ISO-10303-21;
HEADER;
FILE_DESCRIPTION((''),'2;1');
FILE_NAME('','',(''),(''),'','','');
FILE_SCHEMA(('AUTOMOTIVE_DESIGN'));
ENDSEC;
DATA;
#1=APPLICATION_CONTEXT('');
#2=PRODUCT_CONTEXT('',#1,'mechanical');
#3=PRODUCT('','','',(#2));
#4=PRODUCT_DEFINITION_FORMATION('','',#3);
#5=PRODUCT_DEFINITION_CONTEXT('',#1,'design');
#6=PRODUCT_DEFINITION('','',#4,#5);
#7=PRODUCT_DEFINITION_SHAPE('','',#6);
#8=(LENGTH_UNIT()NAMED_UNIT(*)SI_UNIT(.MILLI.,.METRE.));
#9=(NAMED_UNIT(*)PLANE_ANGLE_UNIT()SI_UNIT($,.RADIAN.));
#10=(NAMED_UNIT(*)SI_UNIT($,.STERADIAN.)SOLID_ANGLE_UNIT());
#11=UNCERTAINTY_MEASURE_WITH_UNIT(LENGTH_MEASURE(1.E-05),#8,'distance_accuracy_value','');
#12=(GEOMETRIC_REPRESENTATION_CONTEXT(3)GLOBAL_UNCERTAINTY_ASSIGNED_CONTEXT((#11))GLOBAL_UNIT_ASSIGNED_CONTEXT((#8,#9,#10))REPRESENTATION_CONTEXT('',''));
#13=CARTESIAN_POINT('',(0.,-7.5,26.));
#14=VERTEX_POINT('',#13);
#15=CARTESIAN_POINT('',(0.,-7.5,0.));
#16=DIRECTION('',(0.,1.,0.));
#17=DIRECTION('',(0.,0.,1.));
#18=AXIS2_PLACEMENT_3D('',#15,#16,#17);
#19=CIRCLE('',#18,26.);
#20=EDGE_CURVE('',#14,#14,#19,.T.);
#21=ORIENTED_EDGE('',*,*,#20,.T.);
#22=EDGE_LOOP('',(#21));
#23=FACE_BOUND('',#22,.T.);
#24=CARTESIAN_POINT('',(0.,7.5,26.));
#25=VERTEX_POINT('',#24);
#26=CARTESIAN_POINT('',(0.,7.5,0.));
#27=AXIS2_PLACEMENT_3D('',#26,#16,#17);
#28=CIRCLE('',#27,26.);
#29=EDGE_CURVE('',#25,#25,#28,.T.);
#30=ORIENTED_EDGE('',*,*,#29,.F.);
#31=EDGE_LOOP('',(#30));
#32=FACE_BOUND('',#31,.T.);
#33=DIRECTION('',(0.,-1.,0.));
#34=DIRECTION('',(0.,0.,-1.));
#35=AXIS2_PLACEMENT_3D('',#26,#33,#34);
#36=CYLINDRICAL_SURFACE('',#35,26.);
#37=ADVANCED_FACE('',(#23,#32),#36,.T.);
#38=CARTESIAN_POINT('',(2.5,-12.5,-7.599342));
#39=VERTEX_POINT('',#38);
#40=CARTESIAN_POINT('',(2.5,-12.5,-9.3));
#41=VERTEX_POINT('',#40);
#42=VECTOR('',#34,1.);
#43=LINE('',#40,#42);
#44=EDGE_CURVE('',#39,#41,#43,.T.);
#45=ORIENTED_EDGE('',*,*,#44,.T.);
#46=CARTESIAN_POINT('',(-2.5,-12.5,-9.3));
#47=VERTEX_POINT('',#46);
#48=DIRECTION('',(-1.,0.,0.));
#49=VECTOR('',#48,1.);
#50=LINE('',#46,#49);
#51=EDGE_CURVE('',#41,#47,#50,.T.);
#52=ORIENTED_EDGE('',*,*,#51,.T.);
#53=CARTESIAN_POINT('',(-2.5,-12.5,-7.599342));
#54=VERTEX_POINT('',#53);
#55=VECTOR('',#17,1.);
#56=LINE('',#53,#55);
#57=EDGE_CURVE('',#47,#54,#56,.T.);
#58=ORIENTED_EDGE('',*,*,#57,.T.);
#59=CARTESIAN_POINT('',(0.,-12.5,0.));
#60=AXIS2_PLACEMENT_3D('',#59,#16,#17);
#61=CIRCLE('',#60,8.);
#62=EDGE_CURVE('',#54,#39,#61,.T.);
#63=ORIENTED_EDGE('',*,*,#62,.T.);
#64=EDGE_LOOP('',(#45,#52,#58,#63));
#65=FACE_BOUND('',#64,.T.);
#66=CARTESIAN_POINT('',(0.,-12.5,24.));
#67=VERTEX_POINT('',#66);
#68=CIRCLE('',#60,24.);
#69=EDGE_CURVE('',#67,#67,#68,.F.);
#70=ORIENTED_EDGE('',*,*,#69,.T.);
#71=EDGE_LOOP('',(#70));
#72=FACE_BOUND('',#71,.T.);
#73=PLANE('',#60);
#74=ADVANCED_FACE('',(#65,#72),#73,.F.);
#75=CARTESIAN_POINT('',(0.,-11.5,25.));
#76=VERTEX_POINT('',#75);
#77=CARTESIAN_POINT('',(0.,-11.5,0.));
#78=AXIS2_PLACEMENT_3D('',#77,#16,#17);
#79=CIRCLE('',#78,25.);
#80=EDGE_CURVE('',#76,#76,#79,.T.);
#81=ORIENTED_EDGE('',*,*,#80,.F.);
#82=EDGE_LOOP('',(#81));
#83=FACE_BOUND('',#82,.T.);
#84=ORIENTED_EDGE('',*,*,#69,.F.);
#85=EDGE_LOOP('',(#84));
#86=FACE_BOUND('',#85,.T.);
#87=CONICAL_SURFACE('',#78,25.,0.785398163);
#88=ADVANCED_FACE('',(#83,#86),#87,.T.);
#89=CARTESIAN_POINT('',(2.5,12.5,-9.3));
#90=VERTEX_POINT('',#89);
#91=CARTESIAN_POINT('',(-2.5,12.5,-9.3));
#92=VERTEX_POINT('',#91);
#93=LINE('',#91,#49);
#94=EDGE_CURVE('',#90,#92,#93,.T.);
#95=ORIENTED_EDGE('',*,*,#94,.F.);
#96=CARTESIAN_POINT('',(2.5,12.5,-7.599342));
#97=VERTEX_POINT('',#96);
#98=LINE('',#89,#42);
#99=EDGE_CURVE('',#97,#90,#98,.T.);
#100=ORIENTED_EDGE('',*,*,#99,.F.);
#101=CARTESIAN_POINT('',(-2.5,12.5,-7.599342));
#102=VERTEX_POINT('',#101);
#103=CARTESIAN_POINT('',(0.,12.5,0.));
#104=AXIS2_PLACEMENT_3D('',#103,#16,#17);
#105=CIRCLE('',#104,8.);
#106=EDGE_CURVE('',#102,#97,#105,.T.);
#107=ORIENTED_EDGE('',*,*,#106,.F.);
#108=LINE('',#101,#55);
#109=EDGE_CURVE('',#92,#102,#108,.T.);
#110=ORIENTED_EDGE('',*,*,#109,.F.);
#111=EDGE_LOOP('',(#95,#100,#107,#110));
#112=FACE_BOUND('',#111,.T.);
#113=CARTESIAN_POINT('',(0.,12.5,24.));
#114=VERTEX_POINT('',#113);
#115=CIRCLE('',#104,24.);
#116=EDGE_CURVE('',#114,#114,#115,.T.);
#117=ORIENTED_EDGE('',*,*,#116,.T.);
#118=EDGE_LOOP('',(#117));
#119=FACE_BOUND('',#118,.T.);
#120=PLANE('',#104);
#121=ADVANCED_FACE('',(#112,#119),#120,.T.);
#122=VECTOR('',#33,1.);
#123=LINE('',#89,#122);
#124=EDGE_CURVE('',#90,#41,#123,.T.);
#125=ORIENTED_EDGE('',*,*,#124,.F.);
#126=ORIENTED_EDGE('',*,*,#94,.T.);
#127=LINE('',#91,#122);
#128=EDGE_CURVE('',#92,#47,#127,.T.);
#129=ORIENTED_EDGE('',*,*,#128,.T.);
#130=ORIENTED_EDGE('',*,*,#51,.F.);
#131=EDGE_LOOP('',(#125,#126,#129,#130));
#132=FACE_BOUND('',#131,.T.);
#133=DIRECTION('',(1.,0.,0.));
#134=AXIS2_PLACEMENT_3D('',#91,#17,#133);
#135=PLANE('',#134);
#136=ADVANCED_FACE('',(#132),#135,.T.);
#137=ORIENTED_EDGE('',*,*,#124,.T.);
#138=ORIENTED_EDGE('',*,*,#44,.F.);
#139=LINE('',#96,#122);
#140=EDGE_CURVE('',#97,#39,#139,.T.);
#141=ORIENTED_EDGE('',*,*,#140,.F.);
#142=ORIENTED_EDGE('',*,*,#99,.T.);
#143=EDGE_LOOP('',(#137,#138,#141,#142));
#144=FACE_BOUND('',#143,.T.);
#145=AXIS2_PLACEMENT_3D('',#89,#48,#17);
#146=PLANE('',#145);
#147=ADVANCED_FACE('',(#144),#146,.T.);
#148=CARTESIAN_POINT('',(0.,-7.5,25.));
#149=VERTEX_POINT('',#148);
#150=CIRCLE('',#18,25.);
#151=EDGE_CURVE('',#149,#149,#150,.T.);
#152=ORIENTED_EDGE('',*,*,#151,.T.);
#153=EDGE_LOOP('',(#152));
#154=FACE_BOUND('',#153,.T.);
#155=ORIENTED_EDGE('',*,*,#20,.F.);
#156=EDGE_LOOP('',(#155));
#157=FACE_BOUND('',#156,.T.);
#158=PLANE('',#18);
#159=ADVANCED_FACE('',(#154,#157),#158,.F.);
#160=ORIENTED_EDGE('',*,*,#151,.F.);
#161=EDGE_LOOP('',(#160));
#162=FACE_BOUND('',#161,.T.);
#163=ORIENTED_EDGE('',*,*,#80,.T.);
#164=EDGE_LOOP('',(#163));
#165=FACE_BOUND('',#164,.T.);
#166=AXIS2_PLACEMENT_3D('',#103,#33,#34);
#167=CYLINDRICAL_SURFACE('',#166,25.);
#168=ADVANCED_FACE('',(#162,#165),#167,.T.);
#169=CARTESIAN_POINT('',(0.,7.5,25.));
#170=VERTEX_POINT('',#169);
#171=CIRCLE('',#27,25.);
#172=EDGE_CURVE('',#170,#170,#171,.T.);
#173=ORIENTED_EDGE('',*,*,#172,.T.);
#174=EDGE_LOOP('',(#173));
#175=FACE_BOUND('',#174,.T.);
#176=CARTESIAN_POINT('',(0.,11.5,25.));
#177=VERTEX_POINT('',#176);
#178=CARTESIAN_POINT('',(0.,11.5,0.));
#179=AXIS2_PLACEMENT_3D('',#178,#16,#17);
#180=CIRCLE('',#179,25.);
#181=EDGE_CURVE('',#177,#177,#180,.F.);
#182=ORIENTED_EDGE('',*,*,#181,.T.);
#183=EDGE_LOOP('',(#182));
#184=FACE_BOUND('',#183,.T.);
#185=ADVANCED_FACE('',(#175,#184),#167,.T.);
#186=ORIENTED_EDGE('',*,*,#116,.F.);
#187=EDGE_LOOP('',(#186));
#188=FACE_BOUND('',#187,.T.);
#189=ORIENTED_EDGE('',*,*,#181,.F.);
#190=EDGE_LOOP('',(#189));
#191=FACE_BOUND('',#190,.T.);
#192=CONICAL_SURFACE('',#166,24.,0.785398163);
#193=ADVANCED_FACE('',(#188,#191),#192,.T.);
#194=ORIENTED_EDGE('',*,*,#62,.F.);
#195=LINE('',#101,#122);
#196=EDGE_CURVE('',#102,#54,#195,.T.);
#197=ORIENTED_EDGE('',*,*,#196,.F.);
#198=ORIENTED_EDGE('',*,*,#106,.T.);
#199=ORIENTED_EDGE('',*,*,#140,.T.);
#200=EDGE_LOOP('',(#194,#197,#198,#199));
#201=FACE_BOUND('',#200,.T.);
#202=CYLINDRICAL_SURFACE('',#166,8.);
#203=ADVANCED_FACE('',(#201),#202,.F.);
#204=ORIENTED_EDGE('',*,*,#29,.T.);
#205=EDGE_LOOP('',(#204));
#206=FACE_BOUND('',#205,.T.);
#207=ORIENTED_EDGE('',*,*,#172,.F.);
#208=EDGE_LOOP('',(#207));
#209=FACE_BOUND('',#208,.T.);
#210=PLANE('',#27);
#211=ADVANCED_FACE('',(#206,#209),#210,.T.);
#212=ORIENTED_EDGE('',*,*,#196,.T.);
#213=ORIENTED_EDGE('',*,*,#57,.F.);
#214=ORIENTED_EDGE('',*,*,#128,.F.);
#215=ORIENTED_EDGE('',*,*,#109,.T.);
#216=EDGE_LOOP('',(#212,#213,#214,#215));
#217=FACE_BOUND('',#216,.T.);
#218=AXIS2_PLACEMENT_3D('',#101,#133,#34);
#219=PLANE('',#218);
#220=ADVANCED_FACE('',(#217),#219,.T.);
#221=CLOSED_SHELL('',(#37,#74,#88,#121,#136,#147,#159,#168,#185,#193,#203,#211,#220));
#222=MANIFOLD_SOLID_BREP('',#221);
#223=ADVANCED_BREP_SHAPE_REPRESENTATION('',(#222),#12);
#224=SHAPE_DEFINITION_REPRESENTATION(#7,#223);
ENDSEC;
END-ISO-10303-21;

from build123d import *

# Parameters (mm, degrees)
SKETCH_1_R      = 25
EXTRUDE_1_DEPTH = 12.5
SKETCH_2_R      = 26
SKETCH_2_R_2    = 24
EXTRUDE_2_DEPTH = 7.5
CHAMFER_1_SIZE  = 1


with BuildPart() as part:
    # 草图1 → 凸台-拉伸1 (new, symmetric)
    with BuildSketch(Plane(origin=(0, 0, 0), x_dir=(1, 0, 0), z_dir=(0, 1, 0))):
        with Locations(Location((0, 0, 0), (0, 0, 270))):
            Circle(SKETCH_1_R)
        with BuildLine():
            Line((-2.5, 7.599342077), (-2.5, 9.3))
            Line((-2.5, 9.3), (2.5, 9.3))
            Line((2.5, 9.3), (2.5, 7.599342077))
            ThreePointArc((2.5, 7.599342077), (0, -8), (-2.5, 7.599342077))
        make_face(mode=Mode.SUBTRACT)
    extrude(amount=EXTRUDE_1_DEPTH, both=True)

    # 草图2 → 凸台-拉伸2 (add, symmetric)
    with BuildSketch(Plane(origin=(0, 0, 0), x_dir=(1, 0, 0), z_dir=(0, 1, 0))):
        with Locations(Location((0, 0, 0), (0, 0, 270))):
            Circle(SKETCH_2_R)
        Circle(SKETCH_2_R_2, mode=Mode.SUBTRACT)
    extrude(amount=EXTRUDE_2_DEPTH, both=True)

    # 倒角1
    chamfer_1_edges = [part.edges().sort_by_distance(p)[0] for p in [
        (0, -12.5, -25),
        (0, 12.5, -25),
    ]]
    chamfer(chamfer_1_edges, length=CHAMFER_1_SIZE)


solid = part.part
